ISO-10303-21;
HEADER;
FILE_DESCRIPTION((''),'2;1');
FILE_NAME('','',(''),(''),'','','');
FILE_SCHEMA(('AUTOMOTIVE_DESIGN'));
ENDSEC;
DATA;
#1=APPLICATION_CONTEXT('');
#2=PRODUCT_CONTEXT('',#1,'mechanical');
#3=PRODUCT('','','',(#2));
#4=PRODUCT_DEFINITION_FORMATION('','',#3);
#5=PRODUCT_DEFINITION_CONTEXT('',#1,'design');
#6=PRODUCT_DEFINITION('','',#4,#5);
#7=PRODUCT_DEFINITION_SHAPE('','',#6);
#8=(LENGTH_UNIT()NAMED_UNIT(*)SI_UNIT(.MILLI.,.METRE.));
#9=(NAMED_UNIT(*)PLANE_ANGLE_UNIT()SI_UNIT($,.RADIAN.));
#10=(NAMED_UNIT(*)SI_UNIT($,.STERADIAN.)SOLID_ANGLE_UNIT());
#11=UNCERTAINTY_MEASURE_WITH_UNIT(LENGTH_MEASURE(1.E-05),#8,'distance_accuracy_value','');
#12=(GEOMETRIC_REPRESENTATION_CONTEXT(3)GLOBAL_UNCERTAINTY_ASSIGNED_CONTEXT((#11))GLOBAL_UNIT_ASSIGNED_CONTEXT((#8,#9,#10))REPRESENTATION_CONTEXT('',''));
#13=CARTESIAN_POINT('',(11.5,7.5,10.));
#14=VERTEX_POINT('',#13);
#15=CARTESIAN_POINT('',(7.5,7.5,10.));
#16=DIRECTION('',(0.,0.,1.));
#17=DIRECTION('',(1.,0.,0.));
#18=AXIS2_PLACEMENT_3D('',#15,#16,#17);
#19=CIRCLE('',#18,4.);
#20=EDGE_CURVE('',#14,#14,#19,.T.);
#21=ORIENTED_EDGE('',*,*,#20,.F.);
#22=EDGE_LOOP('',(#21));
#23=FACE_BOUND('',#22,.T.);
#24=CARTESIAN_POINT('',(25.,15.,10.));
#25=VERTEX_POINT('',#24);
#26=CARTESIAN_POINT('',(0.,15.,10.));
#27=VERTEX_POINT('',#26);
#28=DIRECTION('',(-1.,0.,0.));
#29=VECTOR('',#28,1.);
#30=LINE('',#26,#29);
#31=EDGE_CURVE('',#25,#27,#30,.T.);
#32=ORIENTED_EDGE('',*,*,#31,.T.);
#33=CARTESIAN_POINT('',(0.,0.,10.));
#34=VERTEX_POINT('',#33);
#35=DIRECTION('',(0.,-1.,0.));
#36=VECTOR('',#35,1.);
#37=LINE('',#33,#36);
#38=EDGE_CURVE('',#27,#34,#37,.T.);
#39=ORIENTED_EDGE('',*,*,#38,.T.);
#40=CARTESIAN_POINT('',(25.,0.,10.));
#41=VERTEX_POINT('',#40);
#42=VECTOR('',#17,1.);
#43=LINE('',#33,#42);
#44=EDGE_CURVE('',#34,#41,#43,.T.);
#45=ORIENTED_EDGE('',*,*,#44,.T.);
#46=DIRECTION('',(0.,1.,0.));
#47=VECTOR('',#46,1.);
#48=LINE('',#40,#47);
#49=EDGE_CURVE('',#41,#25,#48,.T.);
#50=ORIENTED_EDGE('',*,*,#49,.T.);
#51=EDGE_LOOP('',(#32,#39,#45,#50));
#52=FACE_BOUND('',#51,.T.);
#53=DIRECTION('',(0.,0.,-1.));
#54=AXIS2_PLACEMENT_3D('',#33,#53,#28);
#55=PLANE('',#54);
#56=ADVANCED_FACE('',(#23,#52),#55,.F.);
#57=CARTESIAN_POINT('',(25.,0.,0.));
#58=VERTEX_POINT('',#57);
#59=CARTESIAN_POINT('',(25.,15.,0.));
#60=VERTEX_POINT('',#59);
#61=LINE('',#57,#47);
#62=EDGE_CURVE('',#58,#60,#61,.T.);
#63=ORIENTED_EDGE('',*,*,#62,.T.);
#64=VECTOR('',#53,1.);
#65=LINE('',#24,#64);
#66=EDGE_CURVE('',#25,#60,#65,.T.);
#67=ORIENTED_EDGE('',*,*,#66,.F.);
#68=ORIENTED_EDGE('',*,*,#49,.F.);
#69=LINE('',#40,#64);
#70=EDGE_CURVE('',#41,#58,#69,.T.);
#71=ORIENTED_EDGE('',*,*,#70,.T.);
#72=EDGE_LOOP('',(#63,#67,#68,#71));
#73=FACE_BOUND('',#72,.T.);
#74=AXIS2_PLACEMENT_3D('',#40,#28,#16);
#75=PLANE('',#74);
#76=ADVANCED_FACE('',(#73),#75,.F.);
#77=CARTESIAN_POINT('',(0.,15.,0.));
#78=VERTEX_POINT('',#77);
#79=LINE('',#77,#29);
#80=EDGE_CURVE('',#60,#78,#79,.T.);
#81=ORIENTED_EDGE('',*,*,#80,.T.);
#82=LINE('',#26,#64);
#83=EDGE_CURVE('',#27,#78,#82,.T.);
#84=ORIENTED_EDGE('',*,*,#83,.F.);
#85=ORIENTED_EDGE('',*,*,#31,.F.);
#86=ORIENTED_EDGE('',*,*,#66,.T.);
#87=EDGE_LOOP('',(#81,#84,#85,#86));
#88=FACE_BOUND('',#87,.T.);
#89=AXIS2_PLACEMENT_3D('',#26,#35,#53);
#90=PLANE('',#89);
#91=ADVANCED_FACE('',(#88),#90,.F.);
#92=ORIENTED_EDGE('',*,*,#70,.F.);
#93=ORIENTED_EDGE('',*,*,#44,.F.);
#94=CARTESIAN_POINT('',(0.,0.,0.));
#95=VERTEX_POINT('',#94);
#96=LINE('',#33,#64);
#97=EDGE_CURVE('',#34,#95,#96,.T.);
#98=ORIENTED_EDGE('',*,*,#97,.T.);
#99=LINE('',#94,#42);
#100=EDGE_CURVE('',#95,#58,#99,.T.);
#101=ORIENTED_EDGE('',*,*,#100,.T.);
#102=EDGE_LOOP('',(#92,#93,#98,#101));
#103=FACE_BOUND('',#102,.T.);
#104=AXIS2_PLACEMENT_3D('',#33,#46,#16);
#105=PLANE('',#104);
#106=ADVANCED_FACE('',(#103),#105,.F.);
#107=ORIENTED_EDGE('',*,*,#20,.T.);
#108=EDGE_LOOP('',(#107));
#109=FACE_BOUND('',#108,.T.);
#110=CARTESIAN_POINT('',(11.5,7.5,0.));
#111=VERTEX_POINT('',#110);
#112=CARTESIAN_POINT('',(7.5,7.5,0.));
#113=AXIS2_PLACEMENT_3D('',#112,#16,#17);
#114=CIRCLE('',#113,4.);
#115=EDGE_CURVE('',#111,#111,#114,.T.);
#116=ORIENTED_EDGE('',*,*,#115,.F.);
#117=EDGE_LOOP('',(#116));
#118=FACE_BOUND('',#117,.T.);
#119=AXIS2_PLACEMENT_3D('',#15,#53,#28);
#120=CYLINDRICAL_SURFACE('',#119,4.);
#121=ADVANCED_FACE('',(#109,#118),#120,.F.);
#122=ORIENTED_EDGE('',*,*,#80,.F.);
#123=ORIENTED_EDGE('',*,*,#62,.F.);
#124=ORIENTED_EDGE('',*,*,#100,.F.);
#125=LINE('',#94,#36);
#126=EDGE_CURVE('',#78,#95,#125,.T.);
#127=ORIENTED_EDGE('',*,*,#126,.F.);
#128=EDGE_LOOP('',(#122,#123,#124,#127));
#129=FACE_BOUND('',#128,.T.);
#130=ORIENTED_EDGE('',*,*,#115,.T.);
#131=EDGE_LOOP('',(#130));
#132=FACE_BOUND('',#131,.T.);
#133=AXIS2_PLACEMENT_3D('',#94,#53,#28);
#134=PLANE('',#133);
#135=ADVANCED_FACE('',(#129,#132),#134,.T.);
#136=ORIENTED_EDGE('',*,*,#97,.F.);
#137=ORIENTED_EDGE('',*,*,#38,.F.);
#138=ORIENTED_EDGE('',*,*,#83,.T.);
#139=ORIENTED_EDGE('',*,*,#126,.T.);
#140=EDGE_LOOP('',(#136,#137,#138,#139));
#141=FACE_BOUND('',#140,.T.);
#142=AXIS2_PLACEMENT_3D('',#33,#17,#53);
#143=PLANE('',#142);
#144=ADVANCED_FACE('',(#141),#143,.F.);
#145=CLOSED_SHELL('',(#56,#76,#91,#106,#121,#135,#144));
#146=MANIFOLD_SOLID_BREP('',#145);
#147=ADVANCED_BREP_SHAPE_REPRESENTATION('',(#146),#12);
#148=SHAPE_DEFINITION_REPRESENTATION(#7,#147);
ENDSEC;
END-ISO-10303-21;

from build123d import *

# Parameters (mm, degrees)
SKETCH2_W           = 25
SKETCH2_H           = 15
SKETCH2_R           = 4
BOSS_EXTRUDE1_DEPTH = 10


with BuildPart() as part:
    # Sketch2 → Boss-Extrude1 (new body)
    with BuildSketch(Plane.XY):
        with Locations((12.5, 7.5)):
            Rectangle(SKETCH2_W, SKETCH2_H)
        with Locations((7.5, 7.5)):
            Circle(SKETCH2_R, mode=Mode.SUBTRACT)
    extrude(amount=BOSS_EXTRUDE1_DEPTH)


solid = part.part
